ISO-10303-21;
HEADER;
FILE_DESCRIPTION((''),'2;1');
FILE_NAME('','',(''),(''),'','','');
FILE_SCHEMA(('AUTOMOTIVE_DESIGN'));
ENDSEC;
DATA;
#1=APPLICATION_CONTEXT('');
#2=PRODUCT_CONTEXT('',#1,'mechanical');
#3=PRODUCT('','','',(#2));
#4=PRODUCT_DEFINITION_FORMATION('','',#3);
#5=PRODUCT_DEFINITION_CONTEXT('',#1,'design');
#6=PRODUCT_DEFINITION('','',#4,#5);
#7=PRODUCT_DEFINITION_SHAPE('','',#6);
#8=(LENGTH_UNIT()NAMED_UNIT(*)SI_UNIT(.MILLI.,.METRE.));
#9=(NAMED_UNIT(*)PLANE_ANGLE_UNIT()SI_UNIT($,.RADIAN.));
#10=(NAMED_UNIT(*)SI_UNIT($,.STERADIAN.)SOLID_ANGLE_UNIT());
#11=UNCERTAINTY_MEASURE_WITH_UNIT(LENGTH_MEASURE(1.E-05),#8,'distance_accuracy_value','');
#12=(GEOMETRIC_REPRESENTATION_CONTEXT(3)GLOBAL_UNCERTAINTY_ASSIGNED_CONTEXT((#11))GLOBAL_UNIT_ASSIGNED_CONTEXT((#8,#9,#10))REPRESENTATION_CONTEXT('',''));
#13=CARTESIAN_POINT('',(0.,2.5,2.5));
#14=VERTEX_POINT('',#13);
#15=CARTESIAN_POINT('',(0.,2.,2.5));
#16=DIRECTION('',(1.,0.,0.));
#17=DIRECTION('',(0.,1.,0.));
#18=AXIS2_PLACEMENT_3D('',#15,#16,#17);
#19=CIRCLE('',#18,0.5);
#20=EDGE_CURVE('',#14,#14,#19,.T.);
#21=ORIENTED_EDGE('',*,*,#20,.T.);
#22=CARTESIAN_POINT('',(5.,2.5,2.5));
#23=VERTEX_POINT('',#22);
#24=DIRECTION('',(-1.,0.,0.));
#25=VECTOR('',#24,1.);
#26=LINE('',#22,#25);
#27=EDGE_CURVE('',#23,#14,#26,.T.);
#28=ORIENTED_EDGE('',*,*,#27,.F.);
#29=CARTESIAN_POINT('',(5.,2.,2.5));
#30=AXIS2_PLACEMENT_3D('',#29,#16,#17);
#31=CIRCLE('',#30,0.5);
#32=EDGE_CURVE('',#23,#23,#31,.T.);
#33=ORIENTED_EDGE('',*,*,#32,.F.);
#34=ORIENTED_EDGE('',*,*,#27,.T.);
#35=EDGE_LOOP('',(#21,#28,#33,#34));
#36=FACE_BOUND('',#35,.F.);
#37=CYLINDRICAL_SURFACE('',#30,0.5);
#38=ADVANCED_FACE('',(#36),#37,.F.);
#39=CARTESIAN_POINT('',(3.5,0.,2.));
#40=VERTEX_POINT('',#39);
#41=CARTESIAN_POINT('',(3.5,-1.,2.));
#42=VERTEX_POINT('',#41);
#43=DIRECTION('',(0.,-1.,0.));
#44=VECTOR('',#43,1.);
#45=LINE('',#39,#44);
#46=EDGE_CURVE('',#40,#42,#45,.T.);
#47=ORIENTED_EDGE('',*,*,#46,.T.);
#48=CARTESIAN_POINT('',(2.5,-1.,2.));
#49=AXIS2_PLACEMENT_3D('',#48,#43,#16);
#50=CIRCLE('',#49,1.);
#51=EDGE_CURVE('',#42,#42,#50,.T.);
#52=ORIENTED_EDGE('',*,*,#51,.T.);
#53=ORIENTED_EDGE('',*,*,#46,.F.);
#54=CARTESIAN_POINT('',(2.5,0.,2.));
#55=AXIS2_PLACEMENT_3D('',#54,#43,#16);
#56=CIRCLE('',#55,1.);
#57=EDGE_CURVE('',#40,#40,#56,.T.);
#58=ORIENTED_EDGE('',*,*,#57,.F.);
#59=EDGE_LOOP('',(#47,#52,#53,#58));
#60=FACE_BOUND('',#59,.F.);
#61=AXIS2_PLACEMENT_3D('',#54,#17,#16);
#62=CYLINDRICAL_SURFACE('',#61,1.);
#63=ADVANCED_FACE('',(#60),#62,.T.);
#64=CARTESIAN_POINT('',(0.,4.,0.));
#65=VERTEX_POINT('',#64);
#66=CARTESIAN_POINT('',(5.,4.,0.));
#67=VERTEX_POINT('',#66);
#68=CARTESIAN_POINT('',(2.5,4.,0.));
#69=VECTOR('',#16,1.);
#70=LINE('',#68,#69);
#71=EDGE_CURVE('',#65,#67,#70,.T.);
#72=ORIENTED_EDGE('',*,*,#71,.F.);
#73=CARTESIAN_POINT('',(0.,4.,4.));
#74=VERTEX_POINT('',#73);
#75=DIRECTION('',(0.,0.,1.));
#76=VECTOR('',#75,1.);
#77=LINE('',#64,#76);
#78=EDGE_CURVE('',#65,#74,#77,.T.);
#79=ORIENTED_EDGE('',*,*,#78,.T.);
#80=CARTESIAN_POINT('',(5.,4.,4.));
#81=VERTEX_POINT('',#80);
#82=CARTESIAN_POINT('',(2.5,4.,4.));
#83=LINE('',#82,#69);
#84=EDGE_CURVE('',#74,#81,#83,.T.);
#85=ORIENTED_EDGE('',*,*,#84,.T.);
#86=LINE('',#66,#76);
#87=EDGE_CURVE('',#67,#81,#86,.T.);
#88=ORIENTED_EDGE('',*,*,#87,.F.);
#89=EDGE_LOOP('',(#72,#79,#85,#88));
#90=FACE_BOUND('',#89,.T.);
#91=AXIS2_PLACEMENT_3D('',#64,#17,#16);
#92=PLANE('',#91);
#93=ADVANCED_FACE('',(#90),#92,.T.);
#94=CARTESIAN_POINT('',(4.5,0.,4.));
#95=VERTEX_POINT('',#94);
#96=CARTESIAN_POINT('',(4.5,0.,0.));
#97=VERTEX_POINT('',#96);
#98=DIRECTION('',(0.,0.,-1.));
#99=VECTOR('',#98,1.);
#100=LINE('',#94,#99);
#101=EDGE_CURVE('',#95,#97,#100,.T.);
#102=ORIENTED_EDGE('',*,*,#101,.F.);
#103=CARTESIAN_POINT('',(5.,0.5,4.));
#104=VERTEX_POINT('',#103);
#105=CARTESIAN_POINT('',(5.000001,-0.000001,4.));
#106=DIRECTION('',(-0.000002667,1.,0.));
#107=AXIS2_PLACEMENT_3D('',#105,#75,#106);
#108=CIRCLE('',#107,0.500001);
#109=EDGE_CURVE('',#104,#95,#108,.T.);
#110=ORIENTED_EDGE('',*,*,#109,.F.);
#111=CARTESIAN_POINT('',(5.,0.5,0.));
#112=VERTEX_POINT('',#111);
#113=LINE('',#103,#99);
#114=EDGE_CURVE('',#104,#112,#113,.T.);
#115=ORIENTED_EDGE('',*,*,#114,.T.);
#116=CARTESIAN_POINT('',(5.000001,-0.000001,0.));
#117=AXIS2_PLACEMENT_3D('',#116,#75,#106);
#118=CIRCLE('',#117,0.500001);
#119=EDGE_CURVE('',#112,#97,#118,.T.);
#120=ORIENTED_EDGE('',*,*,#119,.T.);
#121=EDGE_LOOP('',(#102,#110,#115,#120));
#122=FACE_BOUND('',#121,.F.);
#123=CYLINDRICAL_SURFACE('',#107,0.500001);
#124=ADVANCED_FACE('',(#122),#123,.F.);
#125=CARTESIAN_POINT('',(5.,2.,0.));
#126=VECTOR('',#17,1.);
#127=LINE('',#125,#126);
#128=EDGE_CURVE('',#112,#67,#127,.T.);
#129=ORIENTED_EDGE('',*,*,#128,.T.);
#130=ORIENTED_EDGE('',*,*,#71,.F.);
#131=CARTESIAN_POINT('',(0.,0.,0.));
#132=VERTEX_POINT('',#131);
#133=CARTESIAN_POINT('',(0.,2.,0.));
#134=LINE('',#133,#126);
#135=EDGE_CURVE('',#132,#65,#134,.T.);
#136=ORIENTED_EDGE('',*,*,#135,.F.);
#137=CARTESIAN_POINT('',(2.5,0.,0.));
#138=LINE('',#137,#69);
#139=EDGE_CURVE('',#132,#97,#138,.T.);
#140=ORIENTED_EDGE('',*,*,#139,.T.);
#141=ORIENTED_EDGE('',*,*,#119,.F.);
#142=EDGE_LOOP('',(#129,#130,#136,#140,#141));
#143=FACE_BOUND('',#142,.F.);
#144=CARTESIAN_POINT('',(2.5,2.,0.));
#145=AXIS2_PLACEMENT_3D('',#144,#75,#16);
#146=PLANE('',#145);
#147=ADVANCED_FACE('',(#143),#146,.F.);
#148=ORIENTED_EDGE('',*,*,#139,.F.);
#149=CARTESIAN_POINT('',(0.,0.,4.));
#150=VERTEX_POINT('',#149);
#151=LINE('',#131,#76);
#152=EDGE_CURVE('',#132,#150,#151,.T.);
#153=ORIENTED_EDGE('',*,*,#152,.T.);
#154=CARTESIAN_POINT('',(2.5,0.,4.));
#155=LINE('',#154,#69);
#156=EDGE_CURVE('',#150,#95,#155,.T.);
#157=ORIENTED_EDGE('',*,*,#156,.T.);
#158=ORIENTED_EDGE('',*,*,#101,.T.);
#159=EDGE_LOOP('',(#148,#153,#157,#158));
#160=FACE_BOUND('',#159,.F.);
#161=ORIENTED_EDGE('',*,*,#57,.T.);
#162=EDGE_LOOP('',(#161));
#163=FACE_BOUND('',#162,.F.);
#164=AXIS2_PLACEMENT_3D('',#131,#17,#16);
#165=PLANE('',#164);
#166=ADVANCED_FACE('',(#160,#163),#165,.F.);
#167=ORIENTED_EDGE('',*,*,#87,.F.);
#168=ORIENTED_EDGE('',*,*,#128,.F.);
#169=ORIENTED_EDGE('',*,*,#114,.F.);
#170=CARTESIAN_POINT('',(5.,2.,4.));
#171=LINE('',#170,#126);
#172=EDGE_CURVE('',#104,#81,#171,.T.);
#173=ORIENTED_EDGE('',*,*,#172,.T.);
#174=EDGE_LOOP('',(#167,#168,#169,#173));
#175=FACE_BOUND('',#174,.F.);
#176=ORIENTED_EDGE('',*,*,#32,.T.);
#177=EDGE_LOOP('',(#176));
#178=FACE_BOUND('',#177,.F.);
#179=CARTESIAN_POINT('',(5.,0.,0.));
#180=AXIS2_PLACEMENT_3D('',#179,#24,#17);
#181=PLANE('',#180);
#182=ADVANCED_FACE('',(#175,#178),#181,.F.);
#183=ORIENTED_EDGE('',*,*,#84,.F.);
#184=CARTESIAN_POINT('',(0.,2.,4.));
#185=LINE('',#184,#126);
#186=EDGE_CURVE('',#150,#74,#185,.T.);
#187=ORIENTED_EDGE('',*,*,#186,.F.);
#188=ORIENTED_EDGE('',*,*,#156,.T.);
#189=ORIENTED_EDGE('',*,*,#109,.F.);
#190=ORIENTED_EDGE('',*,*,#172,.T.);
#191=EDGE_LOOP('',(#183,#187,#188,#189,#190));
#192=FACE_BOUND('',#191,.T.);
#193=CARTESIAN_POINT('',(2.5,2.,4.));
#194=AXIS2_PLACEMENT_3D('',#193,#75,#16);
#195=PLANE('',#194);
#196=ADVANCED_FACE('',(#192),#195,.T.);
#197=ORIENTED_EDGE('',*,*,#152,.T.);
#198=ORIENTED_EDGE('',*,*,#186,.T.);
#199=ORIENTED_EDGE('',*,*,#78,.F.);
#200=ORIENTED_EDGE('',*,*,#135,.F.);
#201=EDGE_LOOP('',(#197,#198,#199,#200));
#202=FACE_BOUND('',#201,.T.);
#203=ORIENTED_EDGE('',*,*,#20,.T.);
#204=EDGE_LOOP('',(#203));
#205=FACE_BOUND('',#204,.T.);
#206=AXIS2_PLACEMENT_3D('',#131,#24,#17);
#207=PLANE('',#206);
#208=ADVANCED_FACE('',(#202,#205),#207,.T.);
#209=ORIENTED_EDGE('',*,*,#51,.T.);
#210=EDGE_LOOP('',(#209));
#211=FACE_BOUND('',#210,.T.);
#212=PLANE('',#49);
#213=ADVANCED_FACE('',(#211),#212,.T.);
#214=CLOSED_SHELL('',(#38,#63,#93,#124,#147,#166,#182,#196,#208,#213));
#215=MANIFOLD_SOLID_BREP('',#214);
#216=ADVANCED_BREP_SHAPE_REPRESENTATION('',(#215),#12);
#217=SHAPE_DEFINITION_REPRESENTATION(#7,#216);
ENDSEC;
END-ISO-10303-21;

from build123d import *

# Parameters (mm, degrees)
F0_W     = 5
F0_H     = 4
F1_DEPTH = 4
F2_R     = 1
F3_DEPTH = 1
F5_DEPTH = 25
F6_R     = 0.5
F7_DEPTH = 5


with BuildPart() as f1:
    # F0 (on Top) → F1 (new body)
    with BuildSketch(Plane.XY):
        with Locations((2.5, 2)):
            Rectangle(F0_W, F0_H)
    extrude(amount=F1_DEPTH)

    # F2 (on face) → F3 (join)
    with BuildSketch(Plane.XZ):
        with Locations((2.5, 2)):
            Circle(F2_R)
    extrude(amount=F3_DEPTH)

    # F4 (on face) → F5 (cut)
    with BuildSketch(Plane.XY.offset(4)):
        with BuildLine():
            Line((5, 0), (5, 0.5))
            ThreePointArc((5, 0.5), (4.646447, 0.353553), (4.5, 0))
            Line((4.5, 0), (5, 0))
        make_face()
        with BuildLine():
            ThreePointArc((4.5, 0), (5, -0.5), (5.5, 0))
            ThreePointArc((5.5, 0), (5.353553, 0.353553), (5, 0.5))
            Line((5, 0.5), (5, 0))
            Line((5, 0), (4.5, 0))
        make_face()
    extrude(amount=-F5_DEPTH, mode=Mode.SUBTRACT)

    # F6 (on face) → F7 (cut)
    with BuildSketch(Plane.YZ.offset(5)):
        with Locations((2, 2.5)):
            Circle(F6_R)
    extrude(amount=-F7_DEPTH, mode=Mode.SUBTRACT)


solid = f1.part
